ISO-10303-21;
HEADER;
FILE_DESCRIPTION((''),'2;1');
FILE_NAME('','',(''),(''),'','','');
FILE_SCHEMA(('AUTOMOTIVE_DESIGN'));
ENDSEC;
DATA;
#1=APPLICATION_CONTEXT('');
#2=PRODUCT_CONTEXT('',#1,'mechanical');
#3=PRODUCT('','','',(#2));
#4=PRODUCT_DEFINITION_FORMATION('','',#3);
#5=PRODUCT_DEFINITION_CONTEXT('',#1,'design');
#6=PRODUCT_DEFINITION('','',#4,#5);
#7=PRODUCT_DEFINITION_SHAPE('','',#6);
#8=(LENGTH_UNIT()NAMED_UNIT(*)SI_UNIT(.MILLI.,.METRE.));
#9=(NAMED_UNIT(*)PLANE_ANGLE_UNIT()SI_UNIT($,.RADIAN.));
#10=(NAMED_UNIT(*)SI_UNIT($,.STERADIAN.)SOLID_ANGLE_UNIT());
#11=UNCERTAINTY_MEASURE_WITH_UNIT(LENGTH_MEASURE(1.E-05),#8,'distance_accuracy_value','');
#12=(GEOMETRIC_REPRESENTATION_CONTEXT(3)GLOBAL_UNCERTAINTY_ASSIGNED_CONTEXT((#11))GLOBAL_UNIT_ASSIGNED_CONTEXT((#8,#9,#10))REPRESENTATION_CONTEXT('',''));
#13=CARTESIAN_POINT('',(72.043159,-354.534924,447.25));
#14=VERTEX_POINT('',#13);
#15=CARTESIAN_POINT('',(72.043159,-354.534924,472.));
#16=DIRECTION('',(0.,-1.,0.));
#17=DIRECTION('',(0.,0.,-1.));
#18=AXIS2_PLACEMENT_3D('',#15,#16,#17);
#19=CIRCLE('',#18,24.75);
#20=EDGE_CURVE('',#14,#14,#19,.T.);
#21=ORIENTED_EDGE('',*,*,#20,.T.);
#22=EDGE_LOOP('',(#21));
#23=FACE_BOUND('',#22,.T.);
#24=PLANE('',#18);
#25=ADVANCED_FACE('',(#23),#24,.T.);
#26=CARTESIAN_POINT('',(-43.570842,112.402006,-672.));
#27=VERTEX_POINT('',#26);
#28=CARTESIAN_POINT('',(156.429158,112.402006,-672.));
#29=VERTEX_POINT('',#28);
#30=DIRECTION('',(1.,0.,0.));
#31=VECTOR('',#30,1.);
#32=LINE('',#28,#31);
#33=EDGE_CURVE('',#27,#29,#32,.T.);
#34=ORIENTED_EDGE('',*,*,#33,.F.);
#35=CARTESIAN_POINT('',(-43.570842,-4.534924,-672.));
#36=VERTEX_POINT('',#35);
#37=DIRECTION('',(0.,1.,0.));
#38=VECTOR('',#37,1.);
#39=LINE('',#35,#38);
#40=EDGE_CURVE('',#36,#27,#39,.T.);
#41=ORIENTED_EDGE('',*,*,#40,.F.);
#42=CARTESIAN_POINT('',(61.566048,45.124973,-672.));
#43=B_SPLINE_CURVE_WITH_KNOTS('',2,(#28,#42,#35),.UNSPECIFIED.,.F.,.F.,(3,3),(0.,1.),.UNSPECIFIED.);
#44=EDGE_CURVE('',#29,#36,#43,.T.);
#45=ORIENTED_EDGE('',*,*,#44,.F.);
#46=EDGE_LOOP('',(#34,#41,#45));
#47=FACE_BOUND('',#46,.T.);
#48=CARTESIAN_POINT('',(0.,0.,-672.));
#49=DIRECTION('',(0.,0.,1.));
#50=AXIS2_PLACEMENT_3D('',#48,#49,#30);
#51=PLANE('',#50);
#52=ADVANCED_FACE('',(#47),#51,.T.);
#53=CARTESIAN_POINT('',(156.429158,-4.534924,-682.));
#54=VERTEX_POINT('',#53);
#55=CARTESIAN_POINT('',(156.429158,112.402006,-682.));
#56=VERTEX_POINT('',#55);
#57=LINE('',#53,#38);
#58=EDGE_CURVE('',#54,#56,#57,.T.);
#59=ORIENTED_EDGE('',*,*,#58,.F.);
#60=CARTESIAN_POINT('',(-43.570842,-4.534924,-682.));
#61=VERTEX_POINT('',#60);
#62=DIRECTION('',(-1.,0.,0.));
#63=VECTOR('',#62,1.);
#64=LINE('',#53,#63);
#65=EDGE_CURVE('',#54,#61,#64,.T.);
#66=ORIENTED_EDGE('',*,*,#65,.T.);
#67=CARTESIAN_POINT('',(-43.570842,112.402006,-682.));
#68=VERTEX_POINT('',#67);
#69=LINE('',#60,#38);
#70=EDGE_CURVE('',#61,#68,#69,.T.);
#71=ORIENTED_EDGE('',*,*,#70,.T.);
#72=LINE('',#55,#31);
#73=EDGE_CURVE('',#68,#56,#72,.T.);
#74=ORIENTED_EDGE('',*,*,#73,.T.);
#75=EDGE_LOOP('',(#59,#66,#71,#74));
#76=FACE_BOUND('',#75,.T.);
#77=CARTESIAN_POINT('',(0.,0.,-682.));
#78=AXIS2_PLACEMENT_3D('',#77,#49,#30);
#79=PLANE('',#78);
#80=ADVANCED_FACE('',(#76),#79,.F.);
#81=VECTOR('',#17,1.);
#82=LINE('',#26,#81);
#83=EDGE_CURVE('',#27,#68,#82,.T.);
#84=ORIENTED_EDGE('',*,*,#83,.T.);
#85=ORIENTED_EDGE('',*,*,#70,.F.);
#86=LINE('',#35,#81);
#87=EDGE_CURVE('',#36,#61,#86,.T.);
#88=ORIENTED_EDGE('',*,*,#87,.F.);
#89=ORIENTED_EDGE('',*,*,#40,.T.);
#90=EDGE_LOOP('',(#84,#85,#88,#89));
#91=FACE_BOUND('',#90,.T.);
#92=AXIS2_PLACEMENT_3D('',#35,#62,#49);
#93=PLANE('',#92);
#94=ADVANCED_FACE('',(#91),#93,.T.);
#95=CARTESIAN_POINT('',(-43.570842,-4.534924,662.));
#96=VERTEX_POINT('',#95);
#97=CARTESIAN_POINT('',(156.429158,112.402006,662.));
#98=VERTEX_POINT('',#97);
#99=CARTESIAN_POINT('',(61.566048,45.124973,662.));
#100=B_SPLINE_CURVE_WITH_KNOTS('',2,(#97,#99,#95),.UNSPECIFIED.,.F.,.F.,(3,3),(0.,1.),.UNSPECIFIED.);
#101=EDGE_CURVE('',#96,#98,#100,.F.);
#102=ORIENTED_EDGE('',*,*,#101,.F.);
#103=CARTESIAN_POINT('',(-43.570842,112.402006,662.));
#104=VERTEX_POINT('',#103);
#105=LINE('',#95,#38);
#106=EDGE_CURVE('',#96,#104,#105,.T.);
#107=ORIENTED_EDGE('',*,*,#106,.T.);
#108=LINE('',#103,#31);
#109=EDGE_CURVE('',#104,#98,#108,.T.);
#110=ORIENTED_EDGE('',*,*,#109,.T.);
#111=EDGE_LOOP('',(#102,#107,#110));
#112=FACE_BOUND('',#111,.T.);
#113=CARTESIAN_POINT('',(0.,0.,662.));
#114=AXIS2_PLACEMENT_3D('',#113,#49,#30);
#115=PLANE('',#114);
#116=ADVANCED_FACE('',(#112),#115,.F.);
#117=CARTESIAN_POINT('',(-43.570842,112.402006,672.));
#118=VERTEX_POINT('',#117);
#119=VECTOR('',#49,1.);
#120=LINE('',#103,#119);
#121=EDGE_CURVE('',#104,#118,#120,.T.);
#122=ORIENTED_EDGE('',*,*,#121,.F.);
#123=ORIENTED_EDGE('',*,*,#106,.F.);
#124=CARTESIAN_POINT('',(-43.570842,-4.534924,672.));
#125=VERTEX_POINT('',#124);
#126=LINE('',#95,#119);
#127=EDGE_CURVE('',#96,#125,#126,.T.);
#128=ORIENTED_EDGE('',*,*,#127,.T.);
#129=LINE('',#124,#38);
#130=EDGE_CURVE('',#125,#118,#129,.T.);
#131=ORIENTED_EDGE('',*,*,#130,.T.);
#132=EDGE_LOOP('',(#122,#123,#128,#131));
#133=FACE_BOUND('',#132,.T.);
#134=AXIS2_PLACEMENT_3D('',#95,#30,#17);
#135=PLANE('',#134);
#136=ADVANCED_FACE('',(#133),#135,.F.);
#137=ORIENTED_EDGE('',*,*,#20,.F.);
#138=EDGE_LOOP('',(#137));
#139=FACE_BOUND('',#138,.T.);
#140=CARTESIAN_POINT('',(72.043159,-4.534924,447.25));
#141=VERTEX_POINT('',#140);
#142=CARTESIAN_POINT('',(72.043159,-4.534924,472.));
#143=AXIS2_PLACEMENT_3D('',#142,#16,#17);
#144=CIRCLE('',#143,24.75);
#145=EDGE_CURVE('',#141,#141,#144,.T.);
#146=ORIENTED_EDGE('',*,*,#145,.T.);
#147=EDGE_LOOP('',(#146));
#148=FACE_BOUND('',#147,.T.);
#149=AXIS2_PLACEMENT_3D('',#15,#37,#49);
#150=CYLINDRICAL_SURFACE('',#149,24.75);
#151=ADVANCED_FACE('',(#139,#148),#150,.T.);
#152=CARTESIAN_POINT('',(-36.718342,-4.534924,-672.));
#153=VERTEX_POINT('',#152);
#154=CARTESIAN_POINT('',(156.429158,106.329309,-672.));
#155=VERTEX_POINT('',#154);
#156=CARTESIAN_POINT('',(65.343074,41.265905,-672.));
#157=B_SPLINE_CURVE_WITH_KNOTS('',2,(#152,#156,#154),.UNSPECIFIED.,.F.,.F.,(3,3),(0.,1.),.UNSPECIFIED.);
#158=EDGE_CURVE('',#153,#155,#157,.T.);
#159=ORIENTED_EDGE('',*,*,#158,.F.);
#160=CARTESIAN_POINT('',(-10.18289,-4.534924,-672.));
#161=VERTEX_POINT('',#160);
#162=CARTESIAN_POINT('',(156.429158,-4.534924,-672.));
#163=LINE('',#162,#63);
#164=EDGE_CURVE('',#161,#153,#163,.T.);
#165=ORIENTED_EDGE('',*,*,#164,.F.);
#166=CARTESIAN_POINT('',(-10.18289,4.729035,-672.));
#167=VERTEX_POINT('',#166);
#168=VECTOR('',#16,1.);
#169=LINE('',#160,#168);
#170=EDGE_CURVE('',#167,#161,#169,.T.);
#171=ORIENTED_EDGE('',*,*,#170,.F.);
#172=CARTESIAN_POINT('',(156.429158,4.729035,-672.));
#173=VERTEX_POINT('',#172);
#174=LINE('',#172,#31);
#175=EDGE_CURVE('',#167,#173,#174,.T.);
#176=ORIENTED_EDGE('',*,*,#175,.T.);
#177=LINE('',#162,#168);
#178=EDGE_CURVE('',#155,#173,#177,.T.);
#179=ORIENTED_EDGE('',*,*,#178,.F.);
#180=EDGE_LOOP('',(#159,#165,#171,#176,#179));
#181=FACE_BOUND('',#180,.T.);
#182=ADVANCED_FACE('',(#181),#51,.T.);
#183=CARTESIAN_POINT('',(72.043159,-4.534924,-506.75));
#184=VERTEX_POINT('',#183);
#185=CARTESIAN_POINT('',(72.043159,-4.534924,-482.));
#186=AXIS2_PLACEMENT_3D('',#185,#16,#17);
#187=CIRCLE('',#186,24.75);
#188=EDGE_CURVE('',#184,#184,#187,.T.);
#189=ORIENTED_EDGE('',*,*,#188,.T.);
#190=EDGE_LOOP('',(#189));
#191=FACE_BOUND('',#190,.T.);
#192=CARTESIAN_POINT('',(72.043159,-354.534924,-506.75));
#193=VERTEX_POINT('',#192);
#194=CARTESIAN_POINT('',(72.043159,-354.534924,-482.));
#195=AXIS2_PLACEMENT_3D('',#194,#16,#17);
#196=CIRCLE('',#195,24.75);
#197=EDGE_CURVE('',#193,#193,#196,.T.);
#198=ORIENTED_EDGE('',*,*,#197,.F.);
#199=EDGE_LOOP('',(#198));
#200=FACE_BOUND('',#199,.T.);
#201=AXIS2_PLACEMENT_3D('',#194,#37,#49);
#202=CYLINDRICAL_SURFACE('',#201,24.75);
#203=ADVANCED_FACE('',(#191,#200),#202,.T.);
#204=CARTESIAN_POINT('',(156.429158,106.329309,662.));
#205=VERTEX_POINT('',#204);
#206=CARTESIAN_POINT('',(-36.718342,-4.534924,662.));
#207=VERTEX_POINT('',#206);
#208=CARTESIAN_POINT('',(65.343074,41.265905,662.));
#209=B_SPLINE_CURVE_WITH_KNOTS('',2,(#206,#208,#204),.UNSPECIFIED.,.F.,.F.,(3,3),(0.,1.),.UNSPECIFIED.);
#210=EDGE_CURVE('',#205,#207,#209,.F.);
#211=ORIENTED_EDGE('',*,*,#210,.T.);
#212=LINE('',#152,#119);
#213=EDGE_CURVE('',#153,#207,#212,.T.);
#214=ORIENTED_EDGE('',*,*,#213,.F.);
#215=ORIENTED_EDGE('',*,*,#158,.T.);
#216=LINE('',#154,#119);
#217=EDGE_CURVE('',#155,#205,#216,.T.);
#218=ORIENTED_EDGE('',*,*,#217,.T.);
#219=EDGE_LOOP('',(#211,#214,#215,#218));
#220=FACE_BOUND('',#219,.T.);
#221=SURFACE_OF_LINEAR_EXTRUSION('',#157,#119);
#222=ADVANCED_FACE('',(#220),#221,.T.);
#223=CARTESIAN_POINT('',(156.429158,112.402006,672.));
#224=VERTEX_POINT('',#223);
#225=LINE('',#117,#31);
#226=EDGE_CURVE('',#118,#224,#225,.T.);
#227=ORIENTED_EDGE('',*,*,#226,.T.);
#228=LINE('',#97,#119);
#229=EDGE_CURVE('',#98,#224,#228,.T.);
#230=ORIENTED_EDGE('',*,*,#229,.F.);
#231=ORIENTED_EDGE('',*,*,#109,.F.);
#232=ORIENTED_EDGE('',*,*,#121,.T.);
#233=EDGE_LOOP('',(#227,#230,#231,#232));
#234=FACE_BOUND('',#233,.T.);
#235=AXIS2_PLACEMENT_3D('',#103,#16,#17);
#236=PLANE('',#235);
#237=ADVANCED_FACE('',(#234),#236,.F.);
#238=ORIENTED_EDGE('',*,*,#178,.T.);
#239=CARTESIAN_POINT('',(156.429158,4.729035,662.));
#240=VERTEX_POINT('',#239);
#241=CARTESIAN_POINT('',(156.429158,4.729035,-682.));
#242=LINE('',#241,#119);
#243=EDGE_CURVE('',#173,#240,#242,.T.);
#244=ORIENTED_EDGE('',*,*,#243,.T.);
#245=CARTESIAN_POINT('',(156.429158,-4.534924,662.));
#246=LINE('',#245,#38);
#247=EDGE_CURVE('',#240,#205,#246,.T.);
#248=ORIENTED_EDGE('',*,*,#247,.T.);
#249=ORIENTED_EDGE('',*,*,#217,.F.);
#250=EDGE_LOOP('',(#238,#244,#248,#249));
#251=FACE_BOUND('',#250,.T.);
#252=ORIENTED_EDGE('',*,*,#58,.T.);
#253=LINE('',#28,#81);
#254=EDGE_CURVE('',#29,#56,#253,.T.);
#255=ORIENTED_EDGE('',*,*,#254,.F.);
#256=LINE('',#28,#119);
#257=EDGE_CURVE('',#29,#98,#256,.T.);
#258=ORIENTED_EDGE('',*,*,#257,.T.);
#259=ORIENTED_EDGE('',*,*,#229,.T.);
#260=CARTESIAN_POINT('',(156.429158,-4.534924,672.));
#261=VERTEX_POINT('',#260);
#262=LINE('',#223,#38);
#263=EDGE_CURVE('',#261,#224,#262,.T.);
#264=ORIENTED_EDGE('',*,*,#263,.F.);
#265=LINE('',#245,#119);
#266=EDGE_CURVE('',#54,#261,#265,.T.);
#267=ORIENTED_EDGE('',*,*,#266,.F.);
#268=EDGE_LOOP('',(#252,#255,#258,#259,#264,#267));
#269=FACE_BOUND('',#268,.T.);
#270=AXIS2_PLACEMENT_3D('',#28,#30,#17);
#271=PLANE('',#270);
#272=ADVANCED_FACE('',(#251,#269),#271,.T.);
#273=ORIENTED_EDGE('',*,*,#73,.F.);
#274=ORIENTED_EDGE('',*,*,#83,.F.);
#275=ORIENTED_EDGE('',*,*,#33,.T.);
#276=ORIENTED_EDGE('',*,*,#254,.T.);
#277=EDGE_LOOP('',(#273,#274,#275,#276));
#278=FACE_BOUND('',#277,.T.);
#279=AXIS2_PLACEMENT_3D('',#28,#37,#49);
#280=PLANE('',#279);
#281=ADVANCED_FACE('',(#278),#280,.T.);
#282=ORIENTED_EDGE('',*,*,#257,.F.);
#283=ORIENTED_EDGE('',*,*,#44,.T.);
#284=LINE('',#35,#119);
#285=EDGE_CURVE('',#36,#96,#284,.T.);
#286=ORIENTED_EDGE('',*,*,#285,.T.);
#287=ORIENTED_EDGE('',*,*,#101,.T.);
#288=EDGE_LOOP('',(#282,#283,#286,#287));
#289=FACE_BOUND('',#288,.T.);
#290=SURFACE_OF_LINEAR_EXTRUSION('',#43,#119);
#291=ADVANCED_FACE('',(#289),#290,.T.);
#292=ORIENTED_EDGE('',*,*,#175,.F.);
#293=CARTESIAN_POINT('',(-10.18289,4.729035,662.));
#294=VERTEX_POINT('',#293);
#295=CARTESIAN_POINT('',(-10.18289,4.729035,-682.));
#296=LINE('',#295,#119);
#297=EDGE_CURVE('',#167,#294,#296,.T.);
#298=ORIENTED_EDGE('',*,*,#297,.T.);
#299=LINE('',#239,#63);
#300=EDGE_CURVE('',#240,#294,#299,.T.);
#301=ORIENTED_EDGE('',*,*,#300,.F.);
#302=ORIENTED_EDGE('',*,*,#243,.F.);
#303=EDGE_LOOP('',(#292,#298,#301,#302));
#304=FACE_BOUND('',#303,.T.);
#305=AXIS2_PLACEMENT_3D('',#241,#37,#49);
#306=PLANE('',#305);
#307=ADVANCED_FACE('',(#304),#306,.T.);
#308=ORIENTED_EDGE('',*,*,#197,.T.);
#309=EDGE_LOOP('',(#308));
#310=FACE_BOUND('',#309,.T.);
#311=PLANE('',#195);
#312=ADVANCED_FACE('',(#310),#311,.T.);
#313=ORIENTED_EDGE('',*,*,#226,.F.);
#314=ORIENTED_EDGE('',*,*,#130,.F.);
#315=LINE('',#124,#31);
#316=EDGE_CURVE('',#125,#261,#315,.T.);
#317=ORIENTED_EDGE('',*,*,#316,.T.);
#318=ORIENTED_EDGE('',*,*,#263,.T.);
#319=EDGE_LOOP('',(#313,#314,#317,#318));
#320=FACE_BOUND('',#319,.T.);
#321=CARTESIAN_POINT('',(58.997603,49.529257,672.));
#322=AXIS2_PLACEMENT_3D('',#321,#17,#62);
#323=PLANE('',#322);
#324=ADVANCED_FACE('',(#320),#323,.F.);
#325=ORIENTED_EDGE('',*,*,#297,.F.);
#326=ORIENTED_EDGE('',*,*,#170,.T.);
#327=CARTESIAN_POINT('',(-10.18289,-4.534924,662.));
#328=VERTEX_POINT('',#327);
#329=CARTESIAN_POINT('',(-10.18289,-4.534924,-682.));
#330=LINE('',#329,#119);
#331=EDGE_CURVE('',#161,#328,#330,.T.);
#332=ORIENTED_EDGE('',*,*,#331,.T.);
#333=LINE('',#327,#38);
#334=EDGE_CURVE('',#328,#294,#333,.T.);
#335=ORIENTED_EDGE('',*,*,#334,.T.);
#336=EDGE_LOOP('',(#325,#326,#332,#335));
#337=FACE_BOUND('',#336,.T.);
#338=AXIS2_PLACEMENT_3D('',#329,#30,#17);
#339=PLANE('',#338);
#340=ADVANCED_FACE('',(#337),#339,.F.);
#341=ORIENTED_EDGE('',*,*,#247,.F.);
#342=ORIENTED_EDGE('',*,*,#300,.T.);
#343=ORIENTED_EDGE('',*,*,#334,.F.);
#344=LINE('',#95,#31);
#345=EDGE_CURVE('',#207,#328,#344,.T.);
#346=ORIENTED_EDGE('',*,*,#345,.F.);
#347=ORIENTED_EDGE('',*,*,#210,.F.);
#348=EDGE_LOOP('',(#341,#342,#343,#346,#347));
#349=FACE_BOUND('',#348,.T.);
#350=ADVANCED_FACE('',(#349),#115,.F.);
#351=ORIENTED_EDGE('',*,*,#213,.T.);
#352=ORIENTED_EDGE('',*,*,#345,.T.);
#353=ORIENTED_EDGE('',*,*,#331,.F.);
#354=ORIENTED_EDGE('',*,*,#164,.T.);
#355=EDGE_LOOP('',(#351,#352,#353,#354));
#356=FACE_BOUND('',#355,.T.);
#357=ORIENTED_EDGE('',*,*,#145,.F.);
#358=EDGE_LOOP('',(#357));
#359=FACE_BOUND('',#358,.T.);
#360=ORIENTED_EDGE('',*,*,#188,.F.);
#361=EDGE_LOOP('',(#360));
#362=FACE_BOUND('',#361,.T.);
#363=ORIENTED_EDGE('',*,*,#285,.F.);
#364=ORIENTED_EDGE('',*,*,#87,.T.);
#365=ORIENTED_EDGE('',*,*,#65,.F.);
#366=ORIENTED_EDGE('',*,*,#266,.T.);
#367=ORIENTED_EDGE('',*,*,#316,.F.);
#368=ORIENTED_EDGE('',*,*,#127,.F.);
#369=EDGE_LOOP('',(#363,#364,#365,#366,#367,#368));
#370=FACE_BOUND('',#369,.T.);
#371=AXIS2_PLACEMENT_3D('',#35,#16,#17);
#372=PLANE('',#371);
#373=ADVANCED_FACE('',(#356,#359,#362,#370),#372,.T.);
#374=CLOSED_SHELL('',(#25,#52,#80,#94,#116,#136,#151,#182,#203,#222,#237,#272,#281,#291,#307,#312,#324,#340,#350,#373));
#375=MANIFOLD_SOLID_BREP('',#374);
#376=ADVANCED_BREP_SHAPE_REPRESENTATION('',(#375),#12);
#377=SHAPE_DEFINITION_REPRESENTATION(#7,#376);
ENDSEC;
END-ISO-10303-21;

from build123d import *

# Parameters (mm, degrees)
BOSS_EXTRUDE1_DEPTH      = 672
BOSS_EXTRUDE1_DEPTH_BACK = 672
SKETCH2_W                = 200
SKETCH2_H                = 116.93693015
BOSS_EXTRUDE2_DEPTH      = 10
SKETCH3_W                = 166.612048155
SKETCH3_H                = 9.263959568
BOSS_EXTRUDE4_DEPTH      = 1344
SKETCH4_W                = 200
SKETCH4_H                = 116.93693015
BOSS_EXTRUDE5_DEPTH      = 10
SKETCH5_R                = 24.75
BOSS_EXTRUDE6_DEPTH      = 350


with BuildPart() as part:
    # Sketch1 → Boss-Extrude1 (new, two sides: drawn at the far end of the back side and taken through both)
    with BuildSketch(Plane.XY.offset(-BOSS_EXTRUDE1_DEPTH_BACK)):
        with BuildLine():
            Line((156.429158375, 112.402005818), (156.429158375, 106.3293088))
            add(Edge.make_bspline(
                [(-36.718341557, -4.534924332), (65.343074275, 41.2659049), (156.429158375, 106.3293088)],
                knots=[0, 0, 0, 1, 1, 1], degree=2))
            Line((-36.718341557, -4.534924332), (-43.570841625, -4.534924332))
            add(Edge.make_bspline(
                [(-43.570841625, -4.534924332), (61.566048456, 45.124972859), (156.429158375, 112.402005818)],
                knots=[0, 0, 0, 1, 1, 1], degree=2))
        make_face()
    extrude(amount=BOSS_EXTRUDE1_DEPTH + BOSS_EXTRUDE1_DEPTH_BACK)

    # Sketch2 → Boss-Extrude2 (add)
    with BuildSketch(Plane.XY.offset(672)):
        with Locations((56.429158375, 53.933540743)):
            Rectangle(SKETCH2_W, SKETCH2_H)
    extrude(amount=-BOSS_EXTRUDE2_DEPTH)

    # Sketch3 → Boss-Extrude4 (add)
    with BuildSketch(Plane(origin=(0, 0, 662), x_dir=(-1, 0, 0), z_dir=(0, 0, -1))):
        with Locations((-73.123134298, 0.097055452)):
            Rectangle(SKETCH3_W, SKETCH3_H)
    extrude(amount=BOSS_EXTRUDE4_DEPTH)

    # Sketch4 → Boss-Extrude5 (add)
    with BuildSketch(Plane(origin=(0, 0, -682), x_dir=(-1, 0, 0), z_dir=(0, 0, -1))):
        with Locations((-56.429158375, 53.933540743)):
            Rectangle(SKETCH4_W, SKETCH4_H)
    extrude(amount=-BOSS_EXTRUDE5_DEPTH)

    # Sketch5 → Boss-Extrude6 (add)
    with BuildSketch(Plane.XZ.offset(4.534924332)):
        with Locations((72.043158776, 472)):
            Circle(SKETCH5_R)
        with Locations((72.043158776, -482)):
            Circle(SKETCH5_R)
    extrude(amount=BOSS_EXTRUDE6_DEPTH)


solid = part.part
